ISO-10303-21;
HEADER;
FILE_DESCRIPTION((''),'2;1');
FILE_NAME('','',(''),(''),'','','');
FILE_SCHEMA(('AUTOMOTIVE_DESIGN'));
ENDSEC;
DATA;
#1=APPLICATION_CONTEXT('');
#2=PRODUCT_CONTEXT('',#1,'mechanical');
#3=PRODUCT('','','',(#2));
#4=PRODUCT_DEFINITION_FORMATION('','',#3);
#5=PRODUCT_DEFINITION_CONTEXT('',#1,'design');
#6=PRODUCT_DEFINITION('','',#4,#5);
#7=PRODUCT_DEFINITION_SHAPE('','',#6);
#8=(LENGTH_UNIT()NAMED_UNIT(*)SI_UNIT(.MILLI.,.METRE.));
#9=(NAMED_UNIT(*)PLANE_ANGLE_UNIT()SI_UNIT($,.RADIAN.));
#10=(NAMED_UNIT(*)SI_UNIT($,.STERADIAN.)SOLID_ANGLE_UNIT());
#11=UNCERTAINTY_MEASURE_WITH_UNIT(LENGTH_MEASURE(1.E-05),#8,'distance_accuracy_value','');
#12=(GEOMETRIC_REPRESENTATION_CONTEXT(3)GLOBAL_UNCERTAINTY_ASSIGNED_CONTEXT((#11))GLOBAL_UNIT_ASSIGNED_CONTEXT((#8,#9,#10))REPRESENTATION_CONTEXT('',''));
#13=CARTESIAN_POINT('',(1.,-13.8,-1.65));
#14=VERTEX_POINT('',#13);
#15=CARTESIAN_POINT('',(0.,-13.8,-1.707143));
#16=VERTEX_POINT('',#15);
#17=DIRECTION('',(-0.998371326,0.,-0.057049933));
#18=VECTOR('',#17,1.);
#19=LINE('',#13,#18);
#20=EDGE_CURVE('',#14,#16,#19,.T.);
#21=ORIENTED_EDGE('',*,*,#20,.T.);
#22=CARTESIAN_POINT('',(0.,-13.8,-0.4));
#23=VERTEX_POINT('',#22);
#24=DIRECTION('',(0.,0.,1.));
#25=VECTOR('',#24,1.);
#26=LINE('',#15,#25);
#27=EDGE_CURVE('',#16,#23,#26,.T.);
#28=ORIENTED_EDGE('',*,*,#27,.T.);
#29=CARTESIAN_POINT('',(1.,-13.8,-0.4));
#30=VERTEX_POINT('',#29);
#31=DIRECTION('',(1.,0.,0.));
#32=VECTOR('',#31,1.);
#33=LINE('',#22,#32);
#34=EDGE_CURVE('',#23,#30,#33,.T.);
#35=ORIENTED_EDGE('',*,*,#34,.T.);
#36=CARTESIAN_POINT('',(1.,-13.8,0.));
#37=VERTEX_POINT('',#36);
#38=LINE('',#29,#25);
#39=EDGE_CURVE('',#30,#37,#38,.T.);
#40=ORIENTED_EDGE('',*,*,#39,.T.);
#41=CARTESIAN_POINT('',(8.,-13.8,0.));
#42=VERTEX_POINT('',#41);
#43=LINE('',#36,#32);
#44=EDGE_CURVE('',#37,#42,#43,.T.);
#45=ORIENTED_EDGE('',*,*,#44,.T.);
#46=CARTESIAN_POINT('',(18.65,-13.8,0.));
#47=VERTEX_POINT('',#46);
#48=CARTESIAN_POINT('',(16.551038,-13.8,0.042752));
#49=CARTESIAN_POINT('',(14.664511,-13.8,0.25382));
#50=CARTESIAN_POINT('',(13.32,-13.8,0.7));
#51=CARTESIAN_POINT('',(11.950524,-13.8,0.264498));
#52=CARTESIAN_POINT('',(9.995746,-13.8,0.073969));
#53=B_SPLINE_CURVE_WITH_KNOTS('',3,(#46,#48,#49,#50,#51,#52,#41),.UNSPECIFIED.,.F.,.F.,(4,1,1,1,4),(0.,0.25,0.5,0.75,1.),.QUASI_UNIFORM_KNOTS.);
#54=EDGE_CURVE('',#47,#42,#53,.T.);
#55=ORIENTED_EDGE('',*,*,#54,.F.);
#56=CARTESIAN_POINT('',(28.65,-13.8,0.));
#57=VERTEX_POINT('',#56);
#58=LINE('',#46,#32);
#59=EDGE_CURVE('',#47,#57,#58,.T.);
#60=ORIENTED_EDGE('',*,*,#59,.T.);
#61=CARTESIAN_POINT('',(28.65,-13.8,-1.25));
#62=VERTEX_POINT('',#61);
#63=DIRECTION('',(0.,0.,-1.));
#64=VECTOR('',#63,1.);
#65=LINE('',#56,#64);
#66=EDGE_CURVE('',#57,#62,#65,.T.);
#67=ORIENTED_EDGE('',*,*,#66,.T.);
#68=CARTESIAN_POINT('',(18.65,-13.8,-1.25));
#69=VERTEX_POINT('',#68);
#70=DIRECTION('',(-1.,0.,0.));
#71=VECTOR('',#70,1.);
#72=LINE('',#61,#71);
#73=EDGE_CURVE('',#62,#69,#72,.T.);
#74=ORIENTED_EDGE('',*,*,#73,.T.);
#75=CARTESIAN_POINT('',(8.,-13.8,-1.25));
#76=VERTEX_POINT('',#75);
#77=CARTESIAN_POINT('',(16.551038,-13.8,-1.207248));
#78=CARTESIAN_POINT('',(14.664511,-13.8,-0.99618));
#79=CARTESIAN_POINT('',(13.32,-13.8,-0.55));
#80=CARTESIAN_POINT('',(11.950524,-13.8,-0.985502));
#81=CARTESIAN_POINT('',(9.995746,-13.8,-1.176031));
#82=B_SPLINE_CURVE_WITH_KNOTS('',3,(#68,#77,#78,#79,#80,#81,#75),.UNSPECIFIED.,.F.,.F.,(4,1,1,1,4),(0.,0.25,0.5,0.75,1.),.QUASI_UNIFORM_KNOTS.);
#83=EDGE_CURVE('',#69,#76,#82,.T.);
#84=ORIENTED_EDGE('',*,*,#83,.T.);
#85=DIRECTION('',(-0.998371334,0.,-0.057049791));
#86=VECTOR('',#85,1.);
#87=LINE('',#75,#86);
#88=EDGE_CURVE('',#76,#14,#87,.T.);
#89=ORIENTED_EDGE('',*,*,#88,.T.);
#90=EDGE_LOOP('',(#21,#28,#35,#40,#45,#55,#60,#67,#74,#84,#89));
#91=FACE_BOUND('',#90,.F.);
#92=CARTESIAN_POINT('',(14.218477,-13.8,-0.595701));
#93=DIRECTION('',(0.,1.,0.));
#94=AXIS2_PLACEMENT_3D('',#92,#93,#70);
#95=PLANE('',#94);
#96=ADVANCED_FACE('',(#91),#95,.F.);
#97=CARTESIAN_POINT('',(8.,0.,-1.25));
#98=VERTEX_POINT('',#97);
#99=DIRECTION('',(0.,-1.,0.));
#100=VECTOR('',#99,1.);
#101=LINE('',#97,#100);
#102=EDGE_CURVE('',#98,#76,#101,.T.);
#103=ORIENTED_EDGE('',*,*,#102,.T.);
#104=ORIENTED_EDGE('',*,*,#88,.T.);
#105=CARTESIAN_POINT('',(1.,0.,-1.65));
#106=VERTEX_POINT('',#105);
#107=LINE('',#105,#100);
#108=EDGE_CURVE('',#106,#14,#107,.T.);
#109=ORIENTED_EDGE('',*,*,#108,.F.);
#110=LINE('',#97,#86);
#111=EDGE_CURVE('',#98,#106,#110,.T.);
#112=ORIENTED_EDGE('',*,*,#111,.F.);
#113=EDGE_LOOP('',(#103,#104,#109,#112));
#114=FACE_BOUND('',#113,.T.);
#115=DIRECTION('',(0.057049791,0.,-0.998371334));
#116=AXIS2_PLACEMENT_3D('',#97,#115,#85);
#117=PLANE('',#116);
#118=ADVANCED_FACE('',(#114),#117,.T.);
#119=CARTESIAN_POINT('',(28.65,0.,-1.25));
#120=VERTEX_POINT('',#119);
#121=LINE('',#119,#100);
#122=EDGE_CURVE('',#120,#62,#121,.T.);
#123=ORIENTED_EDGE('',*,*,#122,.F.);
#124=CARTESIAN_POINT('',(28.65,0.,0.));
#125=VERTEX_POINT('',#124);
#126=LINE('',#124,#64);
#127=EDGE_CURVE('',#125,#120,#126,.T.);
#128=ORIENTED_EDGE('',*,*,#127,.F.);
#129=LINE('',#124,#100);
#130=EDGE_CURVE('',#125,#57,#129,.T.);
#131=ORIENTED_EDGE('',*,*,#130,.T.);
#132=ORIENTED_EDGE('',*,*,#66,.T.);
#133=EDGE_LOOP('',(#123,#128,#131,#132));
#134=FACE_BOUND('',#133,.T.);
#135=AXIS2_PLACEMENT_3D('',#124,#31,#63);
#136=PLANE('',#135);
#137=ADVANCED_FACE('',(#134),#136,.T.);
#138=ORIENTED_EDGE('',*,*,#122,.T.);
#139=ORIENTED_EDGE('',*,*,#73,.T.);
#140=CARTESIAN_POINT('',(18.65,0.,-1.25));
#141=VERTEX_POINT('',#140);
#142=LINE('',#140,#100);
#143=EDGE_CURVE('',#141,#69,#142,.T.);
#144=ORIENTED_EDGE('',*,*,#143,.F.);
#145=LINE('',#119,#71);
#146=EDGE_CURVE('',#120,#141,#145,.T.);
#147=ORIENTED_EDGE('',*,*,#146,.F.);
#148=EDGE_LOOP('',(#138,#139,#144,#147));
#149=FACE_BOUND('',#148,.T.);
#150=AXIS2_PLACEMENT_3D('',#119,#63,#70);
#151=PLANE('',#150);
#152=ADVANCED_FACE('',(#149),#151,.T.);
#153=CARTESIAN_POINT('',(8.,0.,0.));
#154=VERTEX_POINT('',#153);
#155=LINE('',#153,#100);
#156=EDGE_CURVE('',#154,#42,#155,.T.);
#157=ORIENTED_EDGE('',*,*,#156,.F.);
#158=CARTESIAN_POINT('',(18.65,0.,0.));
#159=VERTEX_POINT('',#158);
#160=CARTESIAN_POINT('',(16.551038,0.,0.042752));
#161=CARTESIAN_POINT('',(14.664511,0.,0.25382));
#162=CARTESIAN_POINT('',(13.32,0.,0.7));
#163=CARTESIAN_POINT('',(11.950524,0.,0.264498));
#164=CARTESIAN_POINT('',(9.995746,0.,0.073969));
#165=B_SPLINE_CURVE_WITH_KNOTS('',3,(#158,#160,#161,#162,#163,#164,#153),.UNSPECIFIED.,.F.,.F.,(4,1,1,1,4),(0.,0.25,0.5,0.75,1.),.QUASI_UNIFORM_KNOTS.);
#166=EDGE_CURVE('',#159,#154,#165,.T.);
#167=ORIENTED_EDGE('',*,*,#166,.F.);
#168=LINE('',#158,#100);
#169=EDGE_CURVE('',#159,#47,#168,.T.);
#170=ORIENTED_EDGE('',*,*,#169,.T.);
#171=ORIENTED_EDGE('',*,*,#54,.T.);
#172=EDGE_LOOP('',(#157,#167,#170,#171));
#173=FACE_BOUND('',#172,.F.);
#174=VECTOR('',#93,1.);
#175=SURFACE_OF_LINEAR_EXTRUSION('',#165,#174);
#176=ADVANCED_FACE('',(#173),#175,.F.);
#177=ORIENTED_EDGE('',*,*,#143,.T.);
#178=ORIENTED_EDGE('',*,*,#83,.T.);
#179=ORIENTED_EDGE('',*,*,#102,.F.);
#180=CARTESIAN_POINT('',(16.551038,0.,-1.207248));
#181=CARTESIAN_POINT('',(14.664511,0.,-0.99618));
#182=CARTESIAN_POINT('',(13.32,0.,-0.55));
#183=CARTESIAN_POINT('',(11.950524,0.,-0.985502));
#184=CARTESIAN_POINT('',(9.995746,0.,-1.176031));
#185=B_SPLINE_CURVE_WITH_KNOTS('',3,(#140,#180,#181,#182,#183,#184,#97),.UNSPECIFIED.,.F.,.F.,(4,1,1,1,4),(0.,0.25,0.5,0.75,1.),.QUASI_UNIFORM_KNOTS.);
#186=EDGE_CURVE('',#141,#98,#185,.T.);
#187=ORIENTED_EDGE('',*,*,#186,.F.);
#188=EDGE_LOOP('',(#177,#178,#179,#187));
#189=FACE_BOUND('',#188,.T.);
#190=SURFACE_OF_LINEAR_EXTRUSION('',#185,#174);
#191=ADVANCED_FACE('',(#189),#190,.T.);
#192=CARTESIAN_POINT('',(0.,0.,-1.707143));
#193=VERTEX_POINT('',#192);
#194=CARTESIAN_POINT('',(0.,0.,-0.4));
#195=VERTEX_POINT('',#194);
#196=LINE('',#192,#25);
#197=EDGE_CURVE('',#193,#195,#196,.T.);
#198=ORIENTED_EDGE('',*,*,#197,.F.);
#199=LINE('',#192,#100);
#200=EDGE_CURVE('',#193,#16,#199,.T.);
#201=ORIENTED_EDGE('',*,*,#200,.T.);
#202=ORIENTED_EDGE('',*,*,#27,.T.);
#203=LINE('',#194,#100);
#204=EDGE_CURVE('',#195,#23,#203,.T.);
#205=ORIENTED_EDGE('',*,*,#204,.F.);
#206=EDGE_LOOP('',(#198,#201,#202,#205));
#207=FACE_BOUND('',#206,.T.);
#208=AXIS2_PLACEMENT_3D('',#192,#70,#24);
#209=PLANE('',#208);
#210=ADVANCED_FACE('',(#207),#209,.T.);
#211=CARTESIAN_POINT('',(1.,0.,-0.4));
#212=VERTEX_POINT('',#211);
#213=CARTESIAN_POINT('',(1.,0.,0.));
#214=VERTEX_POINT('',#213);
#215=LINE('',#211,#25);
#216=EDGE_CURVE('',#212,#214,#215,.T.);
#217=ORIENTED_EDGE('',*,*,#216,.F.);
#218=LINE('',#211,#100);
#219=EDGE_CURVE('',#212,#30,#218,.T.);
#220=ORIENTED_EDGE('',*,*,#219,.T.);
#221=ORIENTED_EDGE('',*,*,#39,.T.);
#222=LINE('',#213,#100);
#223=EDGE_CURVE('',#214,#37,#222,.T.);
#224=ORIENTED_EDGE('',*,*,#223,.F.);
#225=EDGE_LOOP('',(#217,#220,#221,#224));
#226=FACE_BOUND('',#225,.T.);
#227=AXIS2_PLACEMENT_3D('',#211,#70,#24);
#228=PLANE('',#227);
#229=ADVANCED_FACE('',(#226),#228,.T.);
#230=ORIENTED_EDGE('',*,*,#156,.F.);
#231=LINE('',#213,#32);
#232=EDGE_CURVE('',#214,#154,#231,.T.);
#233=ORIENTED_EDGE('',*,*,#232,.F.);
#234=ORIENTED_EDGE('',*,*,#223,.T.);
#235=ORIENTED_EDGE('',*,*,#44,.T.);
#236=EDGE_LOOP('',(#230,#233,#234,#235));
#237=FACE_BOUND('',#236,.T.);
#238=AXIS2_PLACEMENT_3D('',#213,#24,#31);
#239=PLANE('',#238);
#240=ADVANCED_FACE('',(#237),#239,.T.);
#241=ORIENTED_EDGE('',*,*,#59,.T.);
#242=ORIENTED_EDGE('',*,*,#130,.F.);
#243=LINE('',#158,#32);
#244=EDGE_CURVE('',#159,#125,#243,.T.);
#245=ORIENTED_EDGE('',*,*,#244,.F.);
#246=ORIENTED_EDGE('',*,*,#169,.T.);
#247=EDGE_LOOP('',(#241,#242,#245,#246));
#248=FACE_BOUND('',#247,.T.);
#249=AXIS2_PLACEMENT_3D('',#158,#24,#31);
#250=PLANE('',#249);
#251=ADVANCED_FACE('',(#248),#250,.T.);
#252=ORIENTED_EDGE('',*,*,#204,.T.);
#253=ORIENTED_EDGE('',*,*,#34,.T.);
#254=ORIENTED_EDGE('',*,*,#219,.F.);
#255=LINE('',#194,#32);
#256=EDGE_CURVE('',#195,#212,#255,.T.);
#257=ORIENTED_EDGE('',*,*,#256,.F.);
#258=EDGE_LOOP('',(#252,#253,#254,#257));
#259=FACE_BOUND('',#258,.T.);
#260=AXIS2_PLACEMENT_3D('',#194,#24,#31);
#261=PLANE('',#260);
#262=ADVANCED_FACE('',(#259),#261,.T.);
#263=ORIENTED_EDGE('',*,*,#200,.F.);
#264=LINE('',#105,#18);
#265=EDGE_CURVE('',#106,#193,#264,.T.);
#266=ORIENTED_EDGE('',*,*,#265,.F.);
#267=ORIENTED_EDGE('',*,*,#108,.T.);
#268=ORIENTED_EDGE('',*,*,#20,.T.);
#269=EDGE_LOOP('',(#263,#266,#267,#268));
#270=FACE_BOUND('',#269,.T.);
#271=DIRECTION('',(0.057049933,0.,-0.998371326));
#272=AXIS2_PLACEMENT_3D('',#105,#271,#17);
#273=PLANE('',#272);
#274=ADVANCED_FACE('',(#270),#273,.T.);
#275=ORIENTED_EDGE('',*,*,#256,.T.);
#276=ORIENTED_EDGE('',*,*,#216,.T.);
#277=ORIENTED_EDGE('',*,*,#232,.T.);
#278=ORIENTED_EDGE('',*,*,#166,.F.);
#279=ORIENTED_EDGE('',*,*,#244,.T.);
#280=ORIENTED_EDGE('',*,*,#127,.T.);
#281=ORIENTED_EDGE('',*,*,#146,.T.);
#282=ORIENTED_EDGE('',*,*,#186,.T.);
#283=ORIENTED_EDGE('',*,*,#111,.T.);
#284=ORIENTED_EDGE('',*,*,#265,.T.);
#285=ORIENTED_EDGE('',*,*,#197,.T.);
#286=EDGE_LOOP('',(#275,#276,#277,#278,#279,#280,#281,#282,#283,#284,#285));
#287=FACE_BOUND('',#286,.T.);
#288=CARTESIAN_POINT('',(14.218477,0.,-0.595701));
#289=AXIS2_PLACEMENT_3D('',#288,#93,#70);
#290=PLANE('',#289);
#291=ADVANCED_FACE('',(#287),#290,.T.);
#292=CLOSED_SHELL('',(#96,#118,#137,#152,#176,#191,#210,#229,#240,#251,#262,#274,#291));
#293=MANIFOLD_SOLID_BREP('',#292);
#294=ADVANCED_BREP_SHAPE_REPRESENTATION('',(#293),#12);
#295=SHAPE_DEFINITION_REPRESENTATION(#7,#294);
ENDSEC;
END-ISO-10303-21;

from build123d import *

# Parameters (mm, degrees)
PAD_DEPTH = 13.8


with BuildPart() as part:
    # Sketch → Pad (new body)
    with BuildSketch(Plane.XZ):
        with BuildLine():
            Line((1, -0.4), (1, 0))
            Line((1, 0), (8, 0))
            add(Edge.make_bspline(
                [(18.65, 0), (16.551038, 0.042752), (14.664511, 0.25382), (13.32, 0.7), (11.950524, 0.264498), (9.995746, 0.073969), (8, 0)],
                knots=[0, 0, 0, 0, 0.25, 0.5, 0.75, 1, 1, 1, 1], degree=3))
            Line((18.65, 0), (28.65, 0))
            Line((28.65, 0), (28.65, -1.25))
            Line((28.65, -1.25), (18.65, -1.25))
            add(Edge.make_bspline(
                [(18.65, -1.25), (16.551038, -1.207248), (14.664511, -0.99618), (13.32, -0.55), (11.950524, -0.985502), (9.995746, -1.176031), (8, -1.25)],
                knots=[0, 0, 0, 0, 0.25, 0.5, 0.75, 1, 1, 1, 1], degree=3))
            Line((8, -1.25), (1, -1.65))
            Line((1, -1.65), (0, -1.707143))
            Line((0, -1.707143), (0, -0.4))
            Line((0, -0.4), (1, -0.4))
        make_face()
    extrude(amount=PAD_DEPTH)


solid = part.part
